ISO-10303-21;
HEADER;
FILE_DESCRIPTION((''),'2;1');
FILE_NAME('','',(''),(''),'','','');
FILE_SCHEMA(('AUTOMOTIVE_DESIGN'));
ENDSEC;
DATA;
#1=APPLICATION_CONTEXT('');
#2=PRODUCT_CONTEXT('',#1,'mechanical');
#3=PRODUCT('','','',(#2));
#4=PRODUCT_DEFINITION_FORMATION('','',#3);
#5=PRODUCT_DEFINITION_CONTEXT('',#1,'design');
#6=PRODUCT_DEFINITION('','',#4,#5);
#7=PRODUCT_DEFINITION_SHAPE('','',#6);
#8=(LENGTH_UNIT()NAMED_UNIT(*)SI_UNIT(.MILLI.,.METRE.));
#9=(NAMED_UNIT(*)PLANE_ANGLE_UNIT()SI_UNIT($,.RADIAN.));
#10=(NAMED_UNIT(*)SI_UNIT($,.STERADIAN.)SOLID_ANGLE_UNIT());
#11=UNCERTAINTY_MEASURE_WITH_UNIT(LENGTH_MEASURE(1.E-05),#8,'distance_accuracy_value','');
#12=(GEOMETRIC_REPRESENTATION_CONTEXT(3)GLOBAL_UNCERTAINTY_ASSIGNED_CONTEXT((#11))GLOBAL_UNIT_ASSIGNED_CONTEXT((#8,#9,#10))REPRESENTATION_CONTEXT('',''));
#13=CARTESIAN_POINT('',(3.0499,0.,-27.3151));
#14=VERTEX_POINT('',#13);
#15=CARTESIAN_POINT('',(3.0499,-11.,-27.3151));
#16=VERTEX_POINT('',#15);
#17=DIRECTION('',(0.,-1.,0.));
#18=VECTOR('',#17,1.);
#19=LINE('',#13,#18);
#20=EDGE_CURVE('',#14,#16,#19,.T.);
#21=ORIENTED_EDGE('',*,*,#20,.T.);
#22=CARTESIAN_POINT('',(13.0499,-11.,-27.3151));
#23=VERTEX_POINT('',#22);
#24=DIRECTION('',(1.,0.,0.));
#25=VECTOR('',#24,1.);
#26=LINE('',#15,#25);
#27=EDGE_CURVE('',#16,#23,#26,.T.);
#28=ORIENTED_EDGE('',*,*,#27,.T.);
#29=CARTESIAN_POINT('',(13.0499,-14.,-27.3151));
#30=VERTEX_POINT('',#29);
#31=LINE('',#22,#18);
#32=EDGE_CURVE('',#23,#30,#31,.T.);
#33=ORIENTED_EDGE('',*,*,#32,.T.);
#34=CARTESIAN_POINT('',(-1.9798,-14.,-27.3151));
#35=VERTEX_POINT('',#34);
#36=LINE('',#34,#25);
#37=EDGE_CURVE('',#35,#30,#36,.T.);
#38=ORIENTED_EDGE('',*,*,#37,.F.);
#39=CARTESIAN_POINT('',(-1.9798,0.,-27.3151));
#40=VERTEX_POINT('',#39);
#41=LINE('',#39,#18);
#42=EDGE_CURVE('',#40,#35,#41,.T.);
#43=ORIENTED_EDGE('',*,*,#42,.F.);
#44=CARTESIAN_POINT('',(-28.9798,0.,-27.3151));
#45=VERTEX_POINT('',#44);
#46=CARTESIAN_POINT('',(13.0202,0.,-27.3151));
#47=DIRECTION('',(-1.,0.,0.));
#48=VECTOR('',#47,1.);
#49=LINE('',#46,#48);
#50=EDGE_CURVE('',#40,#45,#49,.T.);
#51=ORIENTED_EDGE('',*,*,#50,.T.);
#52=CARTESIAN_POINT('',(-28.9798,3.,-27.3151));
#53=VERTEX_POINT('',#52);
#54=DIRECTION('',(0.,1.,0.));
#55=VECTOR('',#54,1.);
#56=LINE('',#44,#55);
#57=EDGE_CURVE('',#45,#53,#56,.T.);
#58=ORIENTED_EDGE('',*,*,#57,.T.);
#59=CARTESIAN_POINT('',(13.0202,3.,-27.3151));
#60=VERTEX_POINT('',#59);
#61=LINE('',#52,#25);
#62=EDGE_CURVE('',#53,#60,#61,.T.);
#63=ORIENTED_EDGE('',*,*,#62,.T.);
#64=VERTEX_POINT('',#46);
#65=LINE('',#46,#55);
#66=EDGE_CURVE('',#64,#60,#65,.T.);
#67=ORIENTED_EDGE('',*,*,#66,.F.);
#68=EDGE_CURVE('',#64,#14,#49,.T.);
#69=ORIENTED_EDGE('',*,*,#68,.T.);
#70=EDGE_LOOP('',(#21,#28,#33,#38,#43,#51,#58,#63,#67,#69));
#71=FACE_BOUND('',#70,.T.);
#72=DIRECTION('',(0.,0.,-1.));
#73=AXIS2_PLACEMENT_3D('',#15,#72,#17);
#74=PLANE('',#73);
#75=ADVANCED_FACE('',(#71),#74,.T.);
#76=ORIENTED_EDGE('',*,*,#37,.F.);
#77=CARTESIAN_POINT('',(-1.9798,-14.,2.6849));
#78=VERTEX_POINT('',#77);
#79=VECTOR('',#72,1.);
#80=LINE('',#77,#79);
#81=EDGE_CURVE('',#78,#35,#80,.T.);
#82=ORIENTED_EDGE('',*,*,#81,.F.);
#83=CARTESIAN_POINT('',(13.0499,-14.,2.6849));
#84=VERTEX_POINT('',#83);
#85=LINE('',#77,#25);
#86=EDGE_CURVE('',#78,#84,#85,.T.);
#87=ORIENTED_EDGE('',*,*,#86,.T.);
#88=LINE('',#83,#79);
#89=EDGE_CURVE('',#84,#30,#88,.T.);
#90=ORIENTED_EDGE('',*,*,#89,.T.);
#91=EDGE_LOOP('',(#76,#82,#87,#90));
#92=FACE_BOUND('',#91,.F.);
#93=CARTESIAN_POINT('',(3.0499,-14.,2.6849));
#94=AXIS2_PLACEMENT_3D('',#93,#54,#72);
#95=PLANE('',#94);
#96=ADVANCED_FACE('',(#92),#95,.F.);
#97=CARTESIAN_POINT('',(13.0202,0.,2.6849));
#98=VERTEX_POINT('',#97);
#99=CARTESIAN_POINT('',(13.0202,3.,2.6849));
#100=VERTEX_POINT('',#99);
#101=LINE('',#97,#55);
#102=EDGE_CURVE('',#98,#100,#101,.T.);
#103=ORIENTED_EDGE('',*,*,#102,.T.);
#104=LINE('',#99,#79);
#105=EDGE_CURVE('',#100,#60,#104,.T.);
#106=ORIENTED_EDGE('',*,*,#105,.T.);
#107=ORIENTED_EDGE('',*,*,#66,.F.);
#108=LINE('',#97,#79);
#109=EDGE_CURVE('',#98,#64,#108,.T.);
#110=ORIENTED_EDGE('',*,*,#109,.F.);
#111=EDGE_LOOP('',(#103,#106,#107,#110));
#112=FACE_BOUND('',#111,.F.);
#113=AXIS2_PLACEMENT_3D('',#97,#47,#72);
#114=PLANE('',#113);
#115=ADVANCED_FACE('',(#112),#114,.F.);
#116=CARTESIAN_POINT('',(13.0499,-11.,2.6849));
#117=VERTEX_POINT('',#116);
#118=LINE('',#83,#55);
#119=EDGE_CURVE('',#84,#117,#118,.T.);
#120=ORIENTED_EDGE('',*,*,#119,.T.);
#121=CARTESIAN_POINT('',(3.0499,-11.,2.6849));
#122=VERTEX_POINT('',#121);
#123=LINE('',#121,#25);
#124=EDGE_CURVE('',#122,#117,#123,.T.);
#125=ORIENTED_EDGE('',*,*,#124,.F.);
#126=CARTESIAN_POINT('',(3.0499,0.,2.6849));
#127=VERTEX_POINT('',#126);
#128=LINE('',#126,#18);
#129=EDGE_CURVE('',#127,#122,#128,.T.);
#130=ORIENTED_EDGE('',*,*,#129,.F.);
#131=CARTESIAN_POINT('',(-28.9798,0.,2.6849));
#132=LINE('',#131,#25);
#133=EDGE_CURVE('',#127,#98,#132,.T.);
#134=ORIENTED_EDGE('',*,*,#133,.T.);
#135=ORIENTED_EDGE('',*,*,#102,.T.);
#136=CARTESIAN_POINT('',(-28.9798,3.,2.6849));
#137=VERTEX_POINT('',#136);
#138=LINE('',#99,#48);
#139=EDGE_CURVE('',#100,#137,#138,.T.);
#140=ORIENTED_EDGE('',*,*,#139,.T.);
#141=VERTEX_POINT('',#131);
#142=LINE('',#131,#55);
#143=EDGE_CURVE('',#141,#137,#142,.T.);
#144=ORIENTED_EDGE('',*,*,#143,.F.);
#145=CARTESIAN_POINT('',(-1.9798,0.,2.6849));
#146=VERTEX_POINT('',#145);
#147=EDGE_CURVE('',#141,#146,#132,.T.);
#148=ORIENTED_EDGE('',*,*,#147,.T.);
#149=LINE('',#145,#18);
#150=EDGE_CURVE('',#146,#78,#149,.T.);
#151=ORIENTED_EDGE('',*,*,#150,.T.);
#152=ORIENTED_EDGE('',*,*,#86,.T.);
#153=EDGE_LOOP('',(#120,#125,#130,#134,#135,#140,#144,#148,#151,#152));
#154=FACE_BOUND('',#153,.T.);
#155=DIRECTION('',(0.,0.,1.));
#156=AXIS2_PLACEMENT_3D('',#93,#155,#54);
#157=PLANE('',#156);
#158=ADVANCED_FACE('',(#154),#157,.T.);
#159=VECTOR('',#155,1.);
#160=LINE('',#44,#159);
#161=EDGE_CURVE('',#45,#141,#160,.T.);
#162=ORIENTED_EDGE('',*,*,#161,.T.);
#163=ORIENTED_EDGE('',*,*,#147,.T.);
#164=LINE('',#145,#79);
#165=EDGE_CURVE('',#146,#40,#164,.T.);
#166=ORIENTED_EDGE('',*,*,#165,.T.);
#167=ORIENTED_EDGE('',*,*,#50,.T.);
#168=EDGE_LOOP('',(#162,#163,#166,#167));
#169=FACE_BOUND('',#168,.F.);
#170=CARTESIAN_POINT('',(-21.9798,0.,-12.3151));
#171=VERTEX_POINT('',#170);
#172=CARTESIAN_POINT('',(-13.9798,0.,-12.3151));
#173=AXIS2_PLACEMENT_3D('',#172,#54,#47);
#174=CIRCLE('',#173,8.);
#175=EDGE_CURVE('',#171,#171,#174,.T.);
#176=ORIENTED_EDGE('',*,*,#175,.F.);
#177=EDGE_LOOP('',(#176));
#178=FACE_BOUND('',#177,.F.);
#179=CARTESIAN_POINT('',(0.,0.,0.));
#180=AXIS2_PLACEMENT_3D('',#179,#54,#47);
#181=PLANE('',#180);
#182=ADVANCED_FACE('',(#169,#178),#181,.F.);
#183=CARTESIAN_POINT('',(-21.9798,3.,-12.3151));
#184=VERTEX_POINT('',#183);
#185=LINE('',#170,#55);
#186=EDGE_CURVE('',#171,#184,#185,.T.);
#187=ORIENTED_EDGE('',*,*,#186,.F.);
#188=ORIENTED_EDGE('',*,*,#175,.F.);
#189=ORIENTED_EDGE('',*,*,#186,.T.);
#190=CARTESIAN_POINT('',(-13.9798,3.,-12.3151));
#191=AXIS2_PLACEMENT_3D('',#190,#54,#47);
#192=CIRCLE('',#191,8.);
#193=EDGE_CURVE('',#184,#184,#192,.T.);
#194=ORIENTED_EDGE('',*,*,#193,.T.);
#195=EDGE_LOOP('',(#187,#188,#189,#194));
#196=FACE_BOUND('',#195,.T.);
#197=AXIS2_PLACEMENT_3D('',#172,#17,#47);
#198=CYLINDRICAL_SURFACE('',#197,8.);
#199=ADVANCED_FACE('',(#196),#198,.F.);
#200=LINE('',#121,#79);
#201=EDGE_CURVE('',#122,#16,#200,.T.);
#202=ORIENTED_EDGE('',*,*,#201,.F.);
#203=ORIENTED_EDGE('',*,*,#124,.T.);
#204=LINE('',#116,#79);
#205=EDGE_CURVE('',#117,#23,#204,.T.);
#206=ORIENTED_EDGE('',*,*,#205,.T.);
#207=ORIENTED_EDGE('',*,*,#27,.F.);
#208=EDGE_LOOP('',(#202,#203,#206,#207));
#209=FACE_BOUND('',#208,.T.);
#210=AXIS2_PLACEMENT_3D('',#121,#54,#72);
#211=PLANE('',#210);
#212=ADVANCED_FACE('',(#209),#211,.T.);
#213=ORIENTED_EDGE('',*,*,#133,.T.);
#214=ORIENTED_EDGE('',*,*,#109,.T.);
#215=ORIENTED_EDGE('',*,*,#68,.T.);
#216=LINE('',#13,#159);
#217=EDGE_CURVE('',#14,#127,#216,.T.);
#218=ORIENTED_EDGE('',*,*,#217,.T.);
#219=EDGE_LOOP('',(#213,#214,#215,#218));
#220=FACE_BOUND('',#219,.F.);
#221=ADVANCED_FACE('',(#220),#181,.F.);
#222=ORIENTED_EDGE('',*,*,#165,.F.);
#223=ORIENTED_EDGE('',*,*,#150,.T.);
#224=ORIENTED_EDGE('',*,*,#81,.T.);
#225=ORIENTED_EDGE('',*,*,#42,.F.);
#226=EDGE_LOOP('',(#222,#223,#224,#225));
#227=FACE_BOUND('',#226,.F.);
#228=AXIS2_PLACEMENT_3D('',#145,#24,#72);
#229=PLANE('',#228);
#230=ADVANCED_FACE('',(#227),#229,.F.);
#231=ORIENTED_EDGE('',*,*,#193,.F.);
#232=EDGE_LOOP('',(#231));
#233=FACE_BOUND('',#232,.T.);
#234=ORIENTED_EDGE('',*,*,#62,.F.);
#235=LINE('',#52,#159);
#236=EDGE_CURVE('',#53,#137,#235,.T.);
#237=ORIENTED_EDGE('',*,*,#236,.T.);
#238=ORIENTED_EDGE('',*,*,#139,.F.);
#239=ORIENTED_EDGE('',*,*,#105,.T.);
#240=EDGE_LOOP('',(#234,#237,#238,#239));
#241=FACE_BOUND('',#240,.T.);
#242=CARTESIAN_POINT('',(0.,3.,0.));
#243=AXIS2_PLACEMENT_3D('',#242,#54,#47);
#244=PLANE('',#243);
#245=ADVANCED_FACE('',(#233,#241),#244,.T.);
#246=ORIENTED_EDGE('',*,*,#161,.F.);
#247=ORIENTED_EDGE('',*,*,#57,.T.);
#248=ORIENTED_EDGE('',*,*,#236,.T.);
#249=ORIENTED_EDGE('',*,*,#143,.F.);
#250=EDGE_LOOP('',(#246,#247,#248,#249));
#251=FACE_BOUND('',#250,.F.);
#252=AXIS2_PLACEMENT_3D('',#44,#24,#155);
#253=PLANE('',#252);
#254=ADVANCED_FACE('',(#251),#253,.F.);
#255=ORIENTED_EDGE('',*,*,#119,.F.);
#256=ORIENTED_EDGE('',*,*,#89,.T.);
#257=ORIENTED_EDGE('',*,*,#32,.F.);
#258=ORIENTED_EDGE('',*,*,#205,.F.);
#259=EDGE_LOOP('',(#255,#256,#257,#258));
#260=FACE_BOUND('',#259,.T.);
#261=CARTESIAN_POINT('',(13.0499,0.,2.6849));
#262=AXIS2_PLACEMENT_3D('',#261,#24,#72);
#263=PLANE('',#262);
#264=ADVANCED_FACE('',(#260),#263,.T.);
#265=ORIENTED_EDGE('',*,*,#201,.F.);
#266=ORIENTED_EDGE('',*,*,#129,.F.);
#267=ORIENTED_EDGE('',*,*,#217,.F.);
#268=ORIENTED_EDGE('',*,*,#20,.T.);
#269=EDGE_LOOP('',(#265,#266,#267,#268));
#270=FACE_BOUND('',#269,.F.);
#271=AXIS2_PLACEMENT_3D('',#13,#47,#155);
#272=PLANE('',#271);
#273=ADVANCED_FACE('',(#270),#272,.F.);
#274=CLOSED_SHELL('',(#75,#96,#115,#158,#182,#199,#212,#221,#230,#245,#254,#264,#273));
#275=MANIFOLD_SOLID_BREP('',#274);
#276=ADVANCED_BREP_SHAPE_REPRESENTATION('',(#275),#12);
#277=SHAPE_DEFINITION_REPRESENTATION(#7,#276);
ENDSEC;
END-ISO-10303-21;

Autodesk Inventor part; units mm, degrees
ref_plane "YZ Plane" through (0, 0, 0) normal (1, 0, 0) x (0, 1, 0)
ref_plane "XZ Plane" through (0, 0, 0) normal (0, 1, 0) x (-1, 0, 0)
ref_plane "XY Plane" through (0, 0, 0) normal (0, 0, 1) x (1, 0, 0)
sketch "スケッチ1" plane through (0, 0, 0) normal (0, 1, 0) x (-1, 0, 0)
  line L0 (28.9798, 2.6849) -> (-13.0202, 2.6849)
  line L1 (-13.0202, 2.6849) -> (-13.0202, -27.3151)
  line L2 (-13.0202, -27.3151) -> (28.9798, -27.3151)
  line L3 (28.9798, -27.3151) -> (28.9798, 2.6849)
  circle A0 centre (13.9798, -12.3151) radius 8
  line L4 (-13.0202, 2.6849) -> (-3.0202, 2.6849)
  line L5 (-3.0202, 2.6849) -> (-3.0202, -27.3151)
  line L6 (-3.0202, -27.3151) -> (-13.0202, -27.3151)
  line L7 (-13.0202, -27.3151) -> (-13.0202, 2.6849)
  point P0 (0, 0)
  dimension "d0" = 16
  dimension "d1" = 30
  dimension "d2" = 15
  dimension "d3" = 15
  dimension "d4" = 15
  dimension "d5" = 27
  dimension "d6" = 10
  dimension "d7" = 9
extrude "押し出し1" add sketch "スケッチ1" along normal blind 3
sketch "スケッチ2" plane through (0, 0, 0) normal (0, -1, 0) x (1, 0, 0)
  line L0 (-28.9798, 2.6849) -> (13.0202, 2.6849) projected
  line L1 (13.0202, -27.3151) -> (-28.9798, -27.3151) projected
  line L2 (3.0499, 2.6849) -> (-1.9798, 2.6849)
  line L3 (-1.9798, 2.6849) -> (-1.9798, -27.3151)
  line L4 (-1.9798, -27.3151) -> (3.0499, -27.3151)
  line L5 (3.0499, -27.3151) -> (3.0499, 2.6849)
  circle A0 centre (-13.9798, -12.3151) radius 8 projected
  point P0 (0, 0)
  dimension "d10" = 4
extrude "押し出し2" add sketch "スケッチ2" along normal blind 14 contours L0 L5 L1 L3
sketch "スケッチ3" plane through (3.0499, 0, 2.6849) normal (1, 0, 0) x (0, 0, -1)
  line L0 (0, -14) -> (30, -14) projected
  line L1 (30, -14) -> (0, -14)
  line L2 (0, -14) -> (0, -11)
  line L3 (0, -11) -> (30, -11)
  line L4 (30, -11) -> (30, -14)
  line L5 (0, 0) -> (30, 0) projected
  point P0 (2.6849, 0)
  dimension "d13" = 3
  dimension "d14" = 11
extrude "押し出し3" add sketch "スケッチ3" along normal blind 10
properties part number "emswparts"
